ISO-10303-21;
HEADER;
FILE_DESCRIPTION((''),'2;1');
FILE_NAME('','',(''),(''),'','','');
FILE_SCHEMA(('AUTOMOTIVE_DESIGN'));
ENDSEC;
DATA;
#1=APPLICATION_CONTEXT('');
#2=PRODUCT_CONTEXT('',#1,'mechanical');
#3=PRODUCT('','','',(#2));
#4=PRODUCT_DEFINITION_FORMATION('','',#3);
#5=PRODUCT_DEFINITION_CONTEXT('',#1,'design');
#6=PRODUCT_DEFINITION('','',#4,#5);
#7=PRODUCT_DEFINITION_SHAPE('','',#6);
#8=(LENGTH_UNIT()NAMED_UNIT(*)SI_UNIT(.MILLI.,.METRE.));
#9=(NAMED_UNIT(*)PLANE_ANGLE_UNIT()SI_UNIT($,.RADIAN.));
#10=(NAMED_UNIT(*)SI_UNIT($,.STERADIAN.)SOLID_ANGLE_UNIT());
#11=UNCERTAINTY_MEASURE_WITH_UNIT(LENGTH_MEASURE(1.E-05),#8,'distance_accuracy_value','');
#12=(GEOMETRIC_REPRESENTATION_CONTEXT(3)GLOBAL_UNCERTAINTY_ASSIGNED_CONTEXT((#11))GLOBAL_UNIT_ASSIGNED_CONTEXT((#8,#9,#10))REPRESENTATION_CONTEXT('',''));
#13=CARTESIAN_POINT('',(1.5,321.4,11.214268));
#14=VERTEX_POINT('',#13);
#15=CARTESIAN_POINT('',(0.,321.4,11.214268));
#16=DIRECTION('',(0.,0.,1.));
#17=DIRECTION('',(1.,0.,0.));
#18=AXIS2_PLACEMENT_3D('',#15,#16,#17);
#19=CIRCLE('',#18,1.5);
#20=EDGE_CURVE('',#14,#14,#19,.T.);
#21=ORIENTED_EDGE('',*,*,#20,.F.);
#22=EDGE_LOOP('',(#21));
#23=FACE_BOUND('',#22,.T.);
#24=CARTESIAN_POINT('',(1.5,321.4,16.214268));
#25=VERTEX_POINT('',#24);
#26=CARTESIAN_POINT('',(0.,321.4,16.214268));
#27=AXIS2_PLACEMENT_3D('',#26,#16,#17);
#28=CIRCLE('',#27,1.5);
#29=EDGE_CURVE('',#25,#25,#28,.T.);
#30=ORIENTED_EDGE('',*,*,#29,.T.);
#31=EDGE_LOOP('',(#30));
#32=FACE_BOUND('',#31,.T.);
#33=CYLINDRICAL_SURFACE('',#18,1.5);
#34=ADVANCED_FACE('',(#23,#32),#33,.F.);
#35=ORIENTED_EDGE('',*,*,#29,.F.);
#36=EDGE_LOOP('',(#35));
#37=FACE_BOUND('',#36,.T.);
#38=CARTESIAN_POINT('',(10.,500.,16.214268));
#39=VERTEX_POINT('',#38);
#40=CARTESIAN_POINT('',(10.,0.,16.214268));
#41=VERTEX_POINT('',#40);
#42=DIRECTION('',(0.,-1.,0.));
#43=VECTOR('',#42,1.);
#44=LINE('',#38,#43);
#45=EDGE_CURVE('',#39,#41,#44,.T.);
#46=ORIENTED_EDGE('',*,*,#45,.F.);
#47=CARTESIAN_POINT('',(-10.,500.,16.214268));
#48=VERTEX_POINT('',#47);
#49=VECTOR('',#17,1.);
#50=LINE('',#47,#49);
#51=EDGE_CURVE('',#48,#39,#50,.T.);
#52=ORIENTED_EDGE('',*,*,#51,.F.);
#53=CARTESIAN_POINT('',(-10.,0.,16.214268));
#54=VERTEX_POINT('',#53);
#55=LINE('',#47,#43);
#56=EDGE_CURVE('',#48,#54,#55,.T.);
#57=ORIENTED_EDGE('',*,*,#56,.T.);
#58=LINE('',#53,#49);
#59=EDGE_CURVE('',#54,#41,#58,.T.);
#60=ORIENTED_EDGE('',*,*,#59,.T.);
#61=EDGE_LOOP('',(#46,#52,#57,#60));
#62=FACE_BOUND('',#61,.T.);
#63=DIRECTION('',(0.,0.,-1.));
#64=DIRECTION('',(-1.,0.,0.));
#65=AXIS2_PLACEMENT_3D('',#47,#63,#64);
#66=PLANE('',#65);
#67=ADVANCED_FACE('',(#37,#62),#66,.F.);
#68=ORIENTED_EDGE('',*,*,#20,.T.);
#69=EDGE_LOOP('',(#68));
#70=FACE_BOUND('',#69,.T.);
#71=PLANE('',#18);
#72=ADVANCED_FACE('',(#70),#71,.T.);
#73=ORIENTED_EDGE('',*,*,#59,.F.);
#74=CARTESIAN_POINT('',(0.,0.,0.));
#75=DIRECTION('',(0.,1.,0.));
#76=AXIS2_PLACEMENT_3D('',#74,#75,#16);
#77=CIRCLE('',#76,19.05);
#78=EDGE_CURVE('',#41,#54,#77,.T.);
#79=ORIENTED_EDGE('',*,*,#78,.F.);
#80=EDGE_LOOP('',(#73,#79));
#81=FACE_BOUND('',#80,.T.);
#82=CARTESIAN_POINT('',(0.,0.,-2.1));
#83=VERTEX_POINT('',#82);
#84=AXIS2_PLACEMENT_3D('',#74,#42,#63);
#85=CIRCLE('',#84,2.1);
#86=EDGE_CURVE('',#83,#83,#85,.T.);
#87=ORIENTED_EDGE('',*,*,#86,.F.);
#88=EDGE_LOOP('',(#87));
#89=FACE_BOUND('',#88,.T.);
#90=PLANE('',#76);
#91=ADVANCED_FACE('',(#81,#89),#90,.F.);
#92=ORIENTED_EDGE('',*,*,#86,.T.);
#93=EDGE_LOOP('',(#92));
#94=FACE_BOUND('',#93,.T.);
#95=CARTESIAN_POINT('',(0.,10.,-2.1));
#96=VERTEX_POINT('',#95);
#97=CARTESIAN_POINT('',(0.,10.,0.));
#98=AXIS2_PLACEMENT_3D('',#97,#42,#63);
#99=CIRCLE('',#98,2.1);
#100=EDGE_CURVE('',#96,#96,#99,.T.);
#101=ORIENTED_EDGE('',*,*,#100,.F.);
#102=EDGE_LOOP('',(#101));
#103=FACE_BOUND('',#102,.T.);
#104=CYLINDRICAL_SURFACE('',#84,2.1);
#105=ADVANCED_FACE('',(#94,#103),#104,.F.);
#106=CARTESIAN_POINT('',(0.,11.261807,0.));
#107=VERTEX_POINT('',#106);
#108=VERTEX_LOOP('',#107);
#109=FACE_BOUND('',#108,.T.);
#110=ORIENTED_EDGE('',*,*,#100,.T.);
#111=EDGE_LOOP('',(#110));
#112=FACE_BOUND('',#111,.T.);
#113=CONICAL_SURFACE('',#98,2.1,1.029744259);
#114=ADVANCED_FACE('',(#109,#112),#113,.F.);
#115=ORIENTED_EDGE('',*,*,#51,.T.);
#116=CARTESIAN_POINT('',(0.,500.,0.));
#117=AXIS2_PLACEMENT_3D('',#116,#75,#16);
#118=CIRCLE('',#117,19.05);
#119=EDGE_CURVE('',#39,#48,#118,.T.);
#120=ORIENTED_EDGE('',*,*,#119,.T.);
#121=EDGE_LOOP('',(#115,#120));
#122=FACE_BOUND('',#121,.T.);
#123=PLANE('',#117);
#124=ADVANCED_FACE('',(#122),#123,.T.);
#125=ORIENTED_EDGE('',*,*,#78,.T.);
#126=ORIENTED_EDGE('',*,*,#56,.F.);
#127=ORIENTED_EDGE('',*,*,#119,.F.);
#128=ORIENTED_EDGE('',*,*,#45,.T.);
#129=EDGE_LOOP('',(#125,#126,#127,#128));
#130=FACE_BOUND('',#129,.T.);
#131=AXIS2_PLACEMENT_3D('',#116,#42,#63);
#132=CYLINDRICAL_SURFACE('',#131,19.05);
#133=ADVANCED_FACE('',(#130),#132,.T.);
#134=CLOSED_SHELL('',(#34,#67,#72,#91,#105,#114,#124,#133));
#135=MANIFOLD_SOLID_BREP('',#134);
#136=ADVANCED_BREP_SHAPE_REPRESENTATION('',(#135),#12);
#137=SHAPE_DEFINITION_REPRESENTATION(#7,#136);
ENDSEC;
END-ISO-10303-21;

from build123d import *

# Parameters (mm, degrees)
BOSS_EXTRUDE1_DEPTH       = 500
SKETCH5_R                 = 1.5
CUT_EXTRUDE1_DEPTH        = 5
M5X0_8_TAPPED_HOLE1_D     = 4.2
M5X0_8_TAPPED_HOLE1_DEPTH = 10
M5X0_8_TAPPED_HOLE1_TIP   = 1.2618073


with BuildPart() as part:
    # Sketch3 → Boss-Extrude1 (new body)
    with BuildSketch(Plane(origin=(0, 0, 0), x_dir=(1, 0, 0), z_dir=(0, 1, 0))):
        with BuildLine():
            Line((-10, -16.214268408), (10, -16.214268408))
            ThreePointArc((10, -16.214268408), (0, 19.05), (-10, -16.214268408))
        make_face()
    extrude(amount=BOSS_EXTRUDE1_DEPTH)

    # Sketch5 → Cut-Extrude1 (cut)
    with BuildSketch(Plane.XY.offset(16.214268408)):
        with Locations((0, 321.4)):
            Circle(SKETCH5_R)
    extrude(amount=-CUT_EXTRUDE1_DEPTH, mode=Mode.SUBTRACT)

    # M5x0.8 Tapped Hole1
    with Locations(Plane(origin=(0, 0, 0), x_dir=(-1, 0, 0), z_dir=(0, -1, 0))):
        with Locations((0, 0)):
            Hole(M5X0_8_TAPPED_HOLE1_D / 2, depth=M5X0_8_TAPPED_HOLE1_DEPTH)
            with Locations((0, 0, -(M5X0_8_TAPPED_HOLE1_DEPTH + M5X0_8_TAPPED_HOLE1_TIP / 2))):  # 118° drill point
                Cone(0, M5X0_8_TAPPED_HOLE1_D / 2, M5X0_8_TAPPED_HOLE1_TIP, mode=Mode.SUBTRACT)


solid = part.part
